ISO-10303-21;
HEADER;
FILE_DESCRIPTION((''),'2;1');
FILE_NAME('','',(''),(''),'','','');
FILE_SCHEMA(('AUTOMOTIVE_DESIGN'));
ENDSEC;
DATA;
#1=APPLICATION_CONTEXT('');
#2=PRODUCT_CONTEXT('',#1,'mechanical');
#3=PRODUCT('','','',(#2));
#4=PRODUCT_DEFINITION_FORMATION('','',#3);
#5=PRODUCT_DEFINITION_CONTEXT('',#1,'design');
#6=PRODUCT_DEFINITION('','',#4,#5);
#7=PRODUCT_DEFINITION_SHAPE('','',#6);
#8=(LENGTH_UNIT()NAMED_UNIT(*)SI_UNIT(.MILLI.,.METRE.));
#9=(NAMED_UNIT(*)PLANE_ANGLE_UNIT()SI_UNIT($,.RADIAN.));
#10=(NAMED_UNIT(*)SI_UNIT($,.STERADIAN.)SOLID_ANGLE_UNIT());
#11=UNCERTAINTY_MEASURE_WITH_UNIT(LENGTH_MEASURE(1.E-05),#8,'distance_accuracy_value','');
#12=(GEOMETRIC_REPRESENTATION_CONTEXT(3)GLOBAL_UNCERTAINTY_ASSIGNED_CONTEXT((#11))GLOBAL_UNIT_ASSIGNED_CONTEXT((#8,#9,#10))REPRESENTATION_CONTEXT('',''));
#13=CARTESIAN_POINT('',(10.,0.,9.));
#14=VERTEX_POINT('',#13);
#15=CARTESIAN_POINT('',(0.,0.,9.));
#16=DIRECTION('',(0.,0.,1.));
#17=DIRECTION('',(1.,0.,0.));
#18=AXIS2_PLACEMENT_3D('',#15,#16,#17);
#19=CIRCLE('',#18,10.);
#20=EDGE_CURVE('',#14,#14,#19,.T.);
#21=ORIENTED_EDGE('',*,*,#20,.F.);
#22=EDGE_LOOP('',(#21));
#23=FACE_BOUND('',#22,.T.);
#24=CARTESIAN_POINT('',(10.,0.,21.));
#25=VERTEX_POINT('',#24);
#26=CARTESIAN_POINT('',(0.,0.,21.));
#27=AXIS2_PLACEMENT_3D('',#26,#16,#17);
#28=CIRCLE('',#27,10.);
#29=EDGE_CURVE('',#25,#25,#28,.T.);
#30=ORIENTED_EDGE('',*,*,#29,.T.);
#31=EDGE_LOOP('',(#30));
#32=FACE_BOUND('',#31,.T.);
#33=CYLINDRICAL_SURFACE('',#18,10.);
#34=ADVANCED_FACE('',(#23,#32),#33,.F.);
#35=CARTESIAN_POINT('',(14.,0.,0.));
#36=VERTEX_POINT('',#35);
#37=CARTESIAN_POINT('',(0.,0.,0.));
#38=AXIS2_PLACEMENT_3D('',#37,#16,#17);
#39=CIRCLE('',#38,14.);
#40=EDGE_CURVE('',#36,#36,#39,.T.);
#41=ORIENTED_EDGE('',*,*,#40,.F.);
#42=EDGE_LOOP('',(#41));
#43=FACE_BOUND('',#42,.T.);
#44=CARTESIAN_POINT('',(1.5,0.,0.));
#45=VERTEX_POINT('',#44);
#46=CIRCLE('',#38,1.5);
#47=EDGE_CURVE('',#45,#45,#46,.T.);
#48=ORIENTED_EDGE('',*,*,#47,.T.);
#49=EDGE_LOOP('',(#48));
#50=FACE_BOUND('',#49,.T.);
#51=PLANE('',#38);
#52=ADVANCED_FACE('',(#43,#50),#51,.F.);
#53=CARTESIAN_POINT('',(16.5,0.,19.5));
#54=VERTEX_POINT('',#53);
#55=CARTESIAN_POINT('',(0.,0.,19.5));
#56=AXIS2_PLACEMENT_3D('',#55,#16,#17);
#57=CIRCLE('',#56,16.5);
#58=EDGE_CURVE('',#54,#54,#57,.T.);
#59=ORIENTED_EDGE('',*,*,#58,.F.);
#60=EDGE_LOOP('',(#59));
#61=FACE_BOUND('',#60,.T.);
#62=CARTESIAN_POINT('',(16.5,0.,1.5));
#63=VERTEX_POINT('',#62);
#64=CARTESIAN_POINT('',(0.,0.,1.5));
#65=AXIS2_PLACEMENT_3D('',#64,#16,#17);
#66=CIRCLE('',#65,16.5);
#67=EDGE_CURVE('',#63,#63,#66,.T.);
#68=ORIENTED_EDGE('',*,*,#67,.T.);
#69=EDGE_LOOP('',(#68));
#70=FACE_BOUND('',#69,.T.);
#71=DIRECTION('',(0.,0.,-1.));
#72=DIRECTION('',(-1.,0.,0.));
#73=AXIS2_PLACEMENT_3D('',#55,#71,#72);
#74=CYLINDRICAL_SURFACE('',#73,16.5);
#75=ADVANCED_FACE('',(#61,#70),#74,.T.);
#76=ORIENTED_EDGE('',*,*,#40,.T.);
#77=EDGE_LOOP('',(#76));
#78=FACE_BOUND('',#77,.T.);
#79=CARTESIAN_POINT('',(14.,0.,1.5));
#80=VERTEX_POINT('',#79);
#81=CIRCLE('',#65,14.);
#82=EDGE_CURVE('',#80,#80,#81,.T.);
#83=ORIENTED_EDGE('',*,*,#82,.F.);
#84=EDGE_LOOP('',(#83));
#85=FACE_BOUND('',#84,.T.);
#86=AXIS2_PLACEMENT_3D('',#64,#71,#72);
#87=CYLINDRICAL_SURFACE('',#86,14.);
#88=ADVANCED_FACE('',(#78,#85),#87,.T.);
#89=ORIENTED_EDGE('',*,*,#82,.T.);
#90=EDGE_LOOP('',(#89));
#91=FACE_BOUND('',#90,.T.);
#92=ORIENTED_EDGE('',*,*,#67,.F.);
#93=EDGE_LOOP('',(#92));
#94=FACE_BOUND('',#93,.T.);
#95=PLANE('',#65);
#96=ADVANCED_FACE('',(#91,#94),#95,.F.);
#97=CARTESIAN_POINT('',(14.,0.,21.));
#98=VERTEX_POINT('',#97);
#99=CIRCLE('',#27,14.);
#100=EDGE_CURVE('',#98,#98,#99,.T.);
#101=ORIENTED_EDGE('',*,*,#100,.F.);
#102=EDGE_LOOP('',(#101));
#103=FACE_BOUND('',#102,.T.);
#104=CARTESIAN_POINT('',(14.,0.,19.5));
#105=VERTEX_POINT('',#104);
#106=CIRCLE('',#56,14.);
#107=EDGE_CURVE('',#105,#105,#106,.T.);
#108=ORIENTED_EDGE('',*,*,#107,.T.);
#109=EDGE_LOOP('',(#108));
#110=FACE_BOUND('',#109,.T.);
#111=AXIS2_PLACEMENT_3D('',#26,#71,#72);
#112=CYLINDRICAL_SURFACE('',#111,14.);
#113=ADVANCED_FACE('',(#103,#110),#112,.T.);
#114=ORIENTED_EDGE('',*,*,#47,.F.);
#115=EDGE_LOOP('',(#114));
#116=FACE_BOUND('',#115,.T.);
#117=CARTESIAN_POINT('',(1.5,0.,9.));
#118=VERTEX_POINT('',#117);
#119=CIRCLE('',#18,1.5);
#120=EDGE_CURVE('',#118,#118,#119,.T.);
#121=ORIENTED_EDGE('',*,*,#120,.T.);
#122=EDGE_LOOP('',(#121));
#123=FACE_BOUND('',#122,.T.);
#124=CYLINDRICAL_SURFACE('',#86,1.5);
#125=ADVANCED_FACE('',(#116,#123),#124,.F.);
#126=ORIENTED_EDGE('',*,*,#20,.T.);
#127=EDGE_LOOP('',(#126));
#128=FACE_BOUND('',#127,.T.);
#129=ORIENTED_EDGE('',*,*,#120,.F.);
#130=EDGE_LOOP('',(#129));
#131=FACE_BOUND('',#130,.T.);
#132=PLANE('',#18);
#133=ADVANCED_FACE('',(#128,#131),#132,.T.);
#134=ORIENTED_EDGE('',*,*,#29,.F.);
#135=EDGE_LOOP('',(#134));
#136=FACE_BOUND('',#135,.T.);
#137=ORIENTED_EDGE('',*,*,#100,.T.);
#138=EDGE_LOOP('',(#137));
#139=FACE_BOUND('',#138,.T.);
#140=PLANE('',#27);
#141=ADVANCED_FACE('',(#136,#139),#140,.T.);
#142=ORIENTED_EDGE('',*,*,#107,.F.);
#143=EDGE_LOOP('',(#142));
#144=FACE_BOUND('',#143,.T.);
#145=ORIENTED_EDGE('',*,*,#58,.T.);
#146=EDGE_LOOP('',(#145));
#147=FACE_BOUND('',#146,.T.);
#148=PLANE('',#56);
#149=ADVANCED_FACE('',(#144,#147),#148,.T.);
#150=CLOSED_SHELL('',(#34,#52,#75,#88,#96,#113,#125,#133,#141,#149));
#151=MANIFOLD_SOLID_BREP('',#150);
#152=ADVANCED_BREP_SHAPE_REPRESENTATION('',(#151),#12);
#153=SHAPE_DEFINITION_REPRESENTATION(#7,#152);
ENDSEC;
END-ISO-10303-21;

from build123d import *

# Parameters (mm, degrees)
SKETCH1_R           = 14
SKETCH1_R_2         = 1.5
BOSS_EXTRUDE1_DEPTH = 1.5
SKETCH2_R           = 10.5
SKETCH2_R_2         = 1.5
BOSS_EXTRUDE2_DEPTH = 18
SKETCH3_R           = 14
SKETCH3_R_2         = 1.5
BOSS_EXTRUDE3_DEPTH = 1.5
SKETCH4_R           = 10
CUT_EXTRUDE1_DEPTH  = 12
SKETCH5_R           = 16.5
SKETCH5_R_2         = 10.5
BOSS_EXTRUDE4_DEPTH = 18


with BuildPart() as part:
    # Sketch1 → Boss-Extrude1 (new body)
    with BuildSketch(Plane.XY):
        Circle(SKETCH1_R)
        Circle(SKETCH1_R_2, mode=Mode.SUBTRACT)
    extrude(amount=BOSS_EXTRUDE1_DEPTH)

    # Sketch2 → Boss-Extrude2 (add)
    with BuildSketch(Plane.XY.offset(1.5)):
        Circle(SKETCH2_R)
        Circle(SKETCH2_R_2, mode=Mode.SUBTRACT)
    extrude(amount=BOSS_EXTRUDE2_DEPTH)

    # Sketch3 → Boss-Extrude3 (add)
    with BuildSketch(Plane.XY.offset(19.5)):
        Circle(SKETCH3_R)
        Circle(SKETCH3_R_2, mode=Mode.SUBTRACT)
    extrude(amount=BOSS_EXTRUDE3_DEPTH)

    # Sketch4 → Cut-Extrude1 (cut)
    with BuildSketch(Plane.XY.offset(21)):
        Circle(SKETCH4_R)
    extrude(amount=-CUT_EXTRUDE1_DEPTH, mode=Mode.SUBTRACT)

    # Sketch5 → Boss-Extrude4 (add)
    with BuildSketch(Plane.XY.offset(1.5)):
        Circle(SKETCH5_R)
        Circle(SKETCH5_R_2, mode=Mode.SUBTRACT)
    extrude(amount=BOSS_EXTRUDE4_DEPTH)


solid = part.part
